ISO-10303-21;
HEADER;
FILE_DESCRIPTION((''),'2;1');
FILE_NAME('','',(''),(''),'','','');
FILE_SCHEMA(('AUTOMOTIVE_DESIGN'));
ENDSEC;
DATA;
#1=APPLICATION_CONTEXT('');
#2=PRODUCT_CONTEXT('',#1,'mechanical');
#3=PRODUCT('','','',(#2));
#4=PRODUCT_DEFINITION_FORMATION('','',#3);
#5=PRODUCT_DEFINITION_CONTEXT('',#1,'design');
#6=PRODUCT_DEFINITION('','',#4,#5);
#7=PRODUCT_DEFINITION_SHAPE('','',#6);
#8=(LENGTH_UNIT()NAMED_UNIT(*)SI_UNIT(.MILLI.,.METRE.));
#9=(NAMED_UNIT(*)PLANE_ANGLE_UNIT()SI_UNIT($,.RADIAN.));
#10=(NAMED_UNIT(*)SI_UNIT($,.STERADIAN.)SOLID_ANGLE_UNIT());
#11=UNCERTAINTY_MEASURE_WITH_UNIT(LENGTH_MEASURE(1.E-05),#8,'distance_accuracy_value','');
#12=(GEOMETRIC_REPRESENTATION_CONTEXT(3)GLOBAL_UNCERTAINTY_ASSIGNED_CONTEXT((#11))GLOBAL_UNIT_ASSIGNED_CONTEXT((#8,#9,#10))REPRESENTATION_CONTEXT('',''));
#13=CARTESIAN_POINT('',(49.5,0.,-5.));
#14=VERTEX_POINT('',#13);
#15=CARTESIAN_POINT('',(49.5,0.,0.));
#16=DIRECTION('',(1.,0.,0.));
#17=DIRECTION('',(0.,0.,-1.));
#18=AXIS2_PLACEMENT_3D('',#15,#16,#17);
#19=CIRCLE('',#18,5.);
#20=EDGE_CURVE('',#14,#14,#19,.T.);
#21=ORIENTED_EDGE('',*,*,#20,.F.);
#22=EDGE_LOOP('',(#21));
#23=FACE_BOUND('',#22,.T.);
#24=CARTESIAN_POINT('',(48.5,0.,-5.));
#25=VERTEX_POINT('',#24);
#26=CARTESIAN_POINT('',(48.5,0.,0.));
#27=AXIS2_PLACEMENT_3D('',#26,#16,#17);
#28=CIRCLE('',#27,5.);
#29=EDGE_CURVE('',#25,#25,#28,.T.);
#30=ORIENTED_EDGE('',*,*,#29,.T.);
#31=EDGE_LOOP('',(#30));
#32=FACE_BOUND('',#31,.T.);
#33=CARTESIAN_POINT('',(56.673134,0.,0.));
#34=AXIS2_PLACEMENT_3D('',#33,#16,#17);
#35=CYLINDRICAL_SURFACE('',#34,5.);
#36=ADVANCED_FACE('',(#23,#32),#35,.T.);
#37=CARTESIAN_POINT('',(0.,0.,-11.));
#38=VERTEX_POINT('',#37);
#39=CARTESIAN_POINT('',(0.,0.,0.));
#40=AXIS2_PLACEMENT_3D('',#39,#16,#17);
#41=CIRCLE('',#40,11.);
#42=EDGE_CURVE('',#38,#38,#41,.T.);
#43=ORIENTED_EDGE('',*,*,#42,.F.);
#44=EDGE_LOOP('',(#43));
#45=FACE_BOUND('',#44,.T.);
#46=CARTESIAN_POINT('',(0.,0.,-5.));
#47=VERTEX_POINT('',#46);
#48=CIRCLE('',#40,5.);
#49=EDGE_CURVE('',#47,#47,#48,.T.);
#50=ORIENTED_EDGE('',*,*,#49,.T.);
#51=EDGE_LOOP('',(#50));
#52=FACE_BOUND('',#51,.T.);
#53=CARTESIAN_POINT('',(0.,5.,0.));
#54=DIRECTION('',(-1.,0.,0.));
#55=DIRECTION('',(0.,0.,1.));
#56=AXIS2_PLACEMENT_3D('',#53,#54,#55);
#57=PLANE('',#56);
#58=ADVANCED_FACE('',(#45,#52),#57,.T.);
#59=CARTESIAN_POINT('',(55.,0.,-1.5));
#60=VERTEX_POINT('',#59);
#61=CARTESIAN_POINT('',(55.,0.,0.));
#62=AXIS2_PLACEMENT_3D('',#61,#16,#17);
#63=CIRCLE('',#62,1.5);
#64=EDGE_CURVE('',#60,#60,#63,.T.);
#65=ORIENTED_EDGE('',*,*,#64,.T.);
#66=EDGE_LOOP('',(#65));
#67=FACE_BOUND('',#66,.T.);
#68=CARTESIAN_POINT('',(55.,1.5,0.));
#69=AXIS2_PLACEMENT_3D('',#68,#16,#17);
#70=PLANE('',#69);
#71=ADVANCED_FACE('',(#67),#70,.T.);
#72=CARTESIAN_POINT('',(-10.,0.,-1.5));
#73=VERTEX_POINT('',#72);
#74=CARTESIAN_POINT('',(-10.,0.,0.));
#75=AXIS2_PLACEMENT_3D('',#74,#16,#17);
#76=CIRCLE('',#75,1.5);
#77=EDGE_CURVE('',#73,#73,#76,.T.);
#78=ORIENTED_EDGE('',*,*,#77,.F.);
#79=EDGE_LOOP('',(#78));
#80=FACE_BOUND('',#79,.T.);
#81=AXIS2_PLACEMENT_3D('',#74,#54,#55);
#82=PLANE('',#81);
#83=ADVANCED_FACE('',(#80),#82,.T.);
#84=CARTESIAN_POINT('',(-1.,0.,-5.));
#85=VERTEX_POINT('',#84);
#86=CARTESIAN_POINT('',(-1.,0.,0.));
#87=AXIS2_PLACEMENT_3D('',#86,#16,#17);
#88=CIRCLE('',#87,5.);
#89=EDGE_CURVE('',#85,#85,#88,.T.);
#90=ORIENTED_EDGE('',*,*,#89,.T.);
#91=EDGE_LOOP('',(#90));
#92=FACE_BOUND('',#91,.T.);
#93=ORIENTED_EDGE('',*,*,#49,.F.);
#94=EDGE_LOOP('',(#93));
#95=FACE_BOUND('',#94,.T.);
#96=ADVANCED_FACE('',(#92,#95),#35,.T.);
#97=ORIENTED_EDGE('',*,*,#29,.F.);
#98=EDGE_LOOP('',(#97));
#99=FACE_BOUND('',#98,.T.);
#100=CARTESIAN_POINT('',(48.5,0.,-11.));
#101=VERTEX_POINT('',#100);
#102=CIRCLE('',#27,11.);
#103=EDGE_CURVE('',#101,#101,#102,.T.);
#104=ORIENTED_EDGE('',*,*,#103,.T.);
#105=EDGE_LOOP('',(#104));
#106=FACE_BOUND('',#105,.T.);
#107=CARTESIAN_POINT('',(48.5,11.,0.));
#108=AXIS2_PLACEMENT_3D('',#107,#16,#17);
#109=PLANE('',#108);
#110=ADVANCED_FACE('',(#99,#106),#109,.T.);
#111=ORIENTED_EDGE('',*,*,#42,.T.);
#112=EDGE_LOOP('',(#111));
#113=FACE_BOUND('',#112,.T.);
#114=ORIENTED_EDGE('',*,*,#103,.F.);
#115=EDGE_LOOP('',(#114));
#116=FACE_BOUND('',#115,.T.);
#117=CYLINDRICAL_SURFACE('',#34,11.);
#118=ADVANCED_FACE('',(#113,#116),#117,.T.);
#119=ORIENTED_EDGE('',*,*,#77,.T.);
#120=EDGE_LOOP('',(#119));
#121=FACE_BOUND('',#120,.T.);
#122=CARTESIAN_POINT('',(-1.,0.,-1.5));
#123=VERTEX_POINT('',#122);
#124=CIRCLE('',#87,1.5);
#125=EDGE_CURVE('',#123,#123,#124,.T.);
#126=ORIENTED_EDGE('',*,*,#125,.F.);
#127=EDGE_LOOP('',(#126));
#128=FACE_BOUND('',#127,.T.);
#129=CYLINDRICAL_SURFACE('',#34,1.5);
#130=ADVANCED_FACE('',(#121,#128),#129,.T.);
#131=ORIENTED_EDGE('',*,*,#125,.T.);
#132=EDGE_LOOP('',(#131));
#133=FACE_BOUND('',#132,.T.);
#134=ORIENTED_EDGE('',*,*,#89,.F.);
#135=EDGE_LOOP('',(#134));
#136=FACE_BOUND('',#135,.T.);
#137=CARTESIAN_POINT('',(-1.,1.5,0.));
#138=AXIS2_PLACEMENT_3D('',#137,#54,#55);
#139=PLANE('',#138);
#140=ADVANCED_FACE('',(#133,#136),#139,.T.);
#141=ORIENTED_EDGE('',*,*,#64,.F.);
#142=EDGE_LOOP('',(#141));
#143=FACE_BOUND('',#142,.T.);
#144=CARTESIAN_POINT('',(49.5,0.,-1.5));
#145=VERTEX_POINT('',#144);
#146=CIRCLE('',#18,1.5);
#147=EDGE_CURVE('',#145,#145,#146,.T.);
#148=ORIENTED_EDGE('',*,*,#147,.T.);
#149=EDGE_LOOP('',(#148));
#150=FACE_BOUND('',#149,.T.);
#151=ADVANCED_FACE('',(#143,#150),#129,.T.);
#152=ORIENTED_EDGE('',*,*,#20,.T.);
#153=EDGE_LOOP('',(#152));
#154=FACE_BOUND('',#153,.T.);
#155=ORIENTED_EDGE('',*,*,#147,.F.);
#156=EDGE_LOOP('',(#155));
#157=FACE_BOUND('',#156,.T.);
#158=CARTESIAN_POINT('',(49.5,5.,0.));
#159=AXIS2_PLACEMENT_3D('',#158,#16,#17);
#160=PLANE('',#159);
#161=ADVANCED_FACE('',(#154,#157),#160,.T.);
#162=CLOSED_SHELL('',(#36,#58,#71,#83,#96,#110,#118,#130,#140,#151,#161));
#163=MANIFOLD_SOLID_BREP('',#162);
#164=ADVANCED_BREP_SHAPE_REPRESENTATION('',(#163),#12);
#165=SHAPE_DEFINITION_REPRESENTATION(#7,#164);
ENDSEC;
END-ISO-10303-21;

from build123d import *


with BuildPart() as part:
    # Skizze2 → Rotation1 (revolve)
    with BuildSketch(Plane.XY):
        Polygon((-10, 0), (-10, 1.5), (-1, 1.5), (-1, 5), (0, 5), (0, 11), (48.5, 11), (48.5, 5), (49.5, 5), (49.5, 1.5), (55, 1.5), (55, 0), align=None)
    revolve(axis=Axis((56.673133505, 0, 0), (-1, 0, 0)))


solid = part.part
